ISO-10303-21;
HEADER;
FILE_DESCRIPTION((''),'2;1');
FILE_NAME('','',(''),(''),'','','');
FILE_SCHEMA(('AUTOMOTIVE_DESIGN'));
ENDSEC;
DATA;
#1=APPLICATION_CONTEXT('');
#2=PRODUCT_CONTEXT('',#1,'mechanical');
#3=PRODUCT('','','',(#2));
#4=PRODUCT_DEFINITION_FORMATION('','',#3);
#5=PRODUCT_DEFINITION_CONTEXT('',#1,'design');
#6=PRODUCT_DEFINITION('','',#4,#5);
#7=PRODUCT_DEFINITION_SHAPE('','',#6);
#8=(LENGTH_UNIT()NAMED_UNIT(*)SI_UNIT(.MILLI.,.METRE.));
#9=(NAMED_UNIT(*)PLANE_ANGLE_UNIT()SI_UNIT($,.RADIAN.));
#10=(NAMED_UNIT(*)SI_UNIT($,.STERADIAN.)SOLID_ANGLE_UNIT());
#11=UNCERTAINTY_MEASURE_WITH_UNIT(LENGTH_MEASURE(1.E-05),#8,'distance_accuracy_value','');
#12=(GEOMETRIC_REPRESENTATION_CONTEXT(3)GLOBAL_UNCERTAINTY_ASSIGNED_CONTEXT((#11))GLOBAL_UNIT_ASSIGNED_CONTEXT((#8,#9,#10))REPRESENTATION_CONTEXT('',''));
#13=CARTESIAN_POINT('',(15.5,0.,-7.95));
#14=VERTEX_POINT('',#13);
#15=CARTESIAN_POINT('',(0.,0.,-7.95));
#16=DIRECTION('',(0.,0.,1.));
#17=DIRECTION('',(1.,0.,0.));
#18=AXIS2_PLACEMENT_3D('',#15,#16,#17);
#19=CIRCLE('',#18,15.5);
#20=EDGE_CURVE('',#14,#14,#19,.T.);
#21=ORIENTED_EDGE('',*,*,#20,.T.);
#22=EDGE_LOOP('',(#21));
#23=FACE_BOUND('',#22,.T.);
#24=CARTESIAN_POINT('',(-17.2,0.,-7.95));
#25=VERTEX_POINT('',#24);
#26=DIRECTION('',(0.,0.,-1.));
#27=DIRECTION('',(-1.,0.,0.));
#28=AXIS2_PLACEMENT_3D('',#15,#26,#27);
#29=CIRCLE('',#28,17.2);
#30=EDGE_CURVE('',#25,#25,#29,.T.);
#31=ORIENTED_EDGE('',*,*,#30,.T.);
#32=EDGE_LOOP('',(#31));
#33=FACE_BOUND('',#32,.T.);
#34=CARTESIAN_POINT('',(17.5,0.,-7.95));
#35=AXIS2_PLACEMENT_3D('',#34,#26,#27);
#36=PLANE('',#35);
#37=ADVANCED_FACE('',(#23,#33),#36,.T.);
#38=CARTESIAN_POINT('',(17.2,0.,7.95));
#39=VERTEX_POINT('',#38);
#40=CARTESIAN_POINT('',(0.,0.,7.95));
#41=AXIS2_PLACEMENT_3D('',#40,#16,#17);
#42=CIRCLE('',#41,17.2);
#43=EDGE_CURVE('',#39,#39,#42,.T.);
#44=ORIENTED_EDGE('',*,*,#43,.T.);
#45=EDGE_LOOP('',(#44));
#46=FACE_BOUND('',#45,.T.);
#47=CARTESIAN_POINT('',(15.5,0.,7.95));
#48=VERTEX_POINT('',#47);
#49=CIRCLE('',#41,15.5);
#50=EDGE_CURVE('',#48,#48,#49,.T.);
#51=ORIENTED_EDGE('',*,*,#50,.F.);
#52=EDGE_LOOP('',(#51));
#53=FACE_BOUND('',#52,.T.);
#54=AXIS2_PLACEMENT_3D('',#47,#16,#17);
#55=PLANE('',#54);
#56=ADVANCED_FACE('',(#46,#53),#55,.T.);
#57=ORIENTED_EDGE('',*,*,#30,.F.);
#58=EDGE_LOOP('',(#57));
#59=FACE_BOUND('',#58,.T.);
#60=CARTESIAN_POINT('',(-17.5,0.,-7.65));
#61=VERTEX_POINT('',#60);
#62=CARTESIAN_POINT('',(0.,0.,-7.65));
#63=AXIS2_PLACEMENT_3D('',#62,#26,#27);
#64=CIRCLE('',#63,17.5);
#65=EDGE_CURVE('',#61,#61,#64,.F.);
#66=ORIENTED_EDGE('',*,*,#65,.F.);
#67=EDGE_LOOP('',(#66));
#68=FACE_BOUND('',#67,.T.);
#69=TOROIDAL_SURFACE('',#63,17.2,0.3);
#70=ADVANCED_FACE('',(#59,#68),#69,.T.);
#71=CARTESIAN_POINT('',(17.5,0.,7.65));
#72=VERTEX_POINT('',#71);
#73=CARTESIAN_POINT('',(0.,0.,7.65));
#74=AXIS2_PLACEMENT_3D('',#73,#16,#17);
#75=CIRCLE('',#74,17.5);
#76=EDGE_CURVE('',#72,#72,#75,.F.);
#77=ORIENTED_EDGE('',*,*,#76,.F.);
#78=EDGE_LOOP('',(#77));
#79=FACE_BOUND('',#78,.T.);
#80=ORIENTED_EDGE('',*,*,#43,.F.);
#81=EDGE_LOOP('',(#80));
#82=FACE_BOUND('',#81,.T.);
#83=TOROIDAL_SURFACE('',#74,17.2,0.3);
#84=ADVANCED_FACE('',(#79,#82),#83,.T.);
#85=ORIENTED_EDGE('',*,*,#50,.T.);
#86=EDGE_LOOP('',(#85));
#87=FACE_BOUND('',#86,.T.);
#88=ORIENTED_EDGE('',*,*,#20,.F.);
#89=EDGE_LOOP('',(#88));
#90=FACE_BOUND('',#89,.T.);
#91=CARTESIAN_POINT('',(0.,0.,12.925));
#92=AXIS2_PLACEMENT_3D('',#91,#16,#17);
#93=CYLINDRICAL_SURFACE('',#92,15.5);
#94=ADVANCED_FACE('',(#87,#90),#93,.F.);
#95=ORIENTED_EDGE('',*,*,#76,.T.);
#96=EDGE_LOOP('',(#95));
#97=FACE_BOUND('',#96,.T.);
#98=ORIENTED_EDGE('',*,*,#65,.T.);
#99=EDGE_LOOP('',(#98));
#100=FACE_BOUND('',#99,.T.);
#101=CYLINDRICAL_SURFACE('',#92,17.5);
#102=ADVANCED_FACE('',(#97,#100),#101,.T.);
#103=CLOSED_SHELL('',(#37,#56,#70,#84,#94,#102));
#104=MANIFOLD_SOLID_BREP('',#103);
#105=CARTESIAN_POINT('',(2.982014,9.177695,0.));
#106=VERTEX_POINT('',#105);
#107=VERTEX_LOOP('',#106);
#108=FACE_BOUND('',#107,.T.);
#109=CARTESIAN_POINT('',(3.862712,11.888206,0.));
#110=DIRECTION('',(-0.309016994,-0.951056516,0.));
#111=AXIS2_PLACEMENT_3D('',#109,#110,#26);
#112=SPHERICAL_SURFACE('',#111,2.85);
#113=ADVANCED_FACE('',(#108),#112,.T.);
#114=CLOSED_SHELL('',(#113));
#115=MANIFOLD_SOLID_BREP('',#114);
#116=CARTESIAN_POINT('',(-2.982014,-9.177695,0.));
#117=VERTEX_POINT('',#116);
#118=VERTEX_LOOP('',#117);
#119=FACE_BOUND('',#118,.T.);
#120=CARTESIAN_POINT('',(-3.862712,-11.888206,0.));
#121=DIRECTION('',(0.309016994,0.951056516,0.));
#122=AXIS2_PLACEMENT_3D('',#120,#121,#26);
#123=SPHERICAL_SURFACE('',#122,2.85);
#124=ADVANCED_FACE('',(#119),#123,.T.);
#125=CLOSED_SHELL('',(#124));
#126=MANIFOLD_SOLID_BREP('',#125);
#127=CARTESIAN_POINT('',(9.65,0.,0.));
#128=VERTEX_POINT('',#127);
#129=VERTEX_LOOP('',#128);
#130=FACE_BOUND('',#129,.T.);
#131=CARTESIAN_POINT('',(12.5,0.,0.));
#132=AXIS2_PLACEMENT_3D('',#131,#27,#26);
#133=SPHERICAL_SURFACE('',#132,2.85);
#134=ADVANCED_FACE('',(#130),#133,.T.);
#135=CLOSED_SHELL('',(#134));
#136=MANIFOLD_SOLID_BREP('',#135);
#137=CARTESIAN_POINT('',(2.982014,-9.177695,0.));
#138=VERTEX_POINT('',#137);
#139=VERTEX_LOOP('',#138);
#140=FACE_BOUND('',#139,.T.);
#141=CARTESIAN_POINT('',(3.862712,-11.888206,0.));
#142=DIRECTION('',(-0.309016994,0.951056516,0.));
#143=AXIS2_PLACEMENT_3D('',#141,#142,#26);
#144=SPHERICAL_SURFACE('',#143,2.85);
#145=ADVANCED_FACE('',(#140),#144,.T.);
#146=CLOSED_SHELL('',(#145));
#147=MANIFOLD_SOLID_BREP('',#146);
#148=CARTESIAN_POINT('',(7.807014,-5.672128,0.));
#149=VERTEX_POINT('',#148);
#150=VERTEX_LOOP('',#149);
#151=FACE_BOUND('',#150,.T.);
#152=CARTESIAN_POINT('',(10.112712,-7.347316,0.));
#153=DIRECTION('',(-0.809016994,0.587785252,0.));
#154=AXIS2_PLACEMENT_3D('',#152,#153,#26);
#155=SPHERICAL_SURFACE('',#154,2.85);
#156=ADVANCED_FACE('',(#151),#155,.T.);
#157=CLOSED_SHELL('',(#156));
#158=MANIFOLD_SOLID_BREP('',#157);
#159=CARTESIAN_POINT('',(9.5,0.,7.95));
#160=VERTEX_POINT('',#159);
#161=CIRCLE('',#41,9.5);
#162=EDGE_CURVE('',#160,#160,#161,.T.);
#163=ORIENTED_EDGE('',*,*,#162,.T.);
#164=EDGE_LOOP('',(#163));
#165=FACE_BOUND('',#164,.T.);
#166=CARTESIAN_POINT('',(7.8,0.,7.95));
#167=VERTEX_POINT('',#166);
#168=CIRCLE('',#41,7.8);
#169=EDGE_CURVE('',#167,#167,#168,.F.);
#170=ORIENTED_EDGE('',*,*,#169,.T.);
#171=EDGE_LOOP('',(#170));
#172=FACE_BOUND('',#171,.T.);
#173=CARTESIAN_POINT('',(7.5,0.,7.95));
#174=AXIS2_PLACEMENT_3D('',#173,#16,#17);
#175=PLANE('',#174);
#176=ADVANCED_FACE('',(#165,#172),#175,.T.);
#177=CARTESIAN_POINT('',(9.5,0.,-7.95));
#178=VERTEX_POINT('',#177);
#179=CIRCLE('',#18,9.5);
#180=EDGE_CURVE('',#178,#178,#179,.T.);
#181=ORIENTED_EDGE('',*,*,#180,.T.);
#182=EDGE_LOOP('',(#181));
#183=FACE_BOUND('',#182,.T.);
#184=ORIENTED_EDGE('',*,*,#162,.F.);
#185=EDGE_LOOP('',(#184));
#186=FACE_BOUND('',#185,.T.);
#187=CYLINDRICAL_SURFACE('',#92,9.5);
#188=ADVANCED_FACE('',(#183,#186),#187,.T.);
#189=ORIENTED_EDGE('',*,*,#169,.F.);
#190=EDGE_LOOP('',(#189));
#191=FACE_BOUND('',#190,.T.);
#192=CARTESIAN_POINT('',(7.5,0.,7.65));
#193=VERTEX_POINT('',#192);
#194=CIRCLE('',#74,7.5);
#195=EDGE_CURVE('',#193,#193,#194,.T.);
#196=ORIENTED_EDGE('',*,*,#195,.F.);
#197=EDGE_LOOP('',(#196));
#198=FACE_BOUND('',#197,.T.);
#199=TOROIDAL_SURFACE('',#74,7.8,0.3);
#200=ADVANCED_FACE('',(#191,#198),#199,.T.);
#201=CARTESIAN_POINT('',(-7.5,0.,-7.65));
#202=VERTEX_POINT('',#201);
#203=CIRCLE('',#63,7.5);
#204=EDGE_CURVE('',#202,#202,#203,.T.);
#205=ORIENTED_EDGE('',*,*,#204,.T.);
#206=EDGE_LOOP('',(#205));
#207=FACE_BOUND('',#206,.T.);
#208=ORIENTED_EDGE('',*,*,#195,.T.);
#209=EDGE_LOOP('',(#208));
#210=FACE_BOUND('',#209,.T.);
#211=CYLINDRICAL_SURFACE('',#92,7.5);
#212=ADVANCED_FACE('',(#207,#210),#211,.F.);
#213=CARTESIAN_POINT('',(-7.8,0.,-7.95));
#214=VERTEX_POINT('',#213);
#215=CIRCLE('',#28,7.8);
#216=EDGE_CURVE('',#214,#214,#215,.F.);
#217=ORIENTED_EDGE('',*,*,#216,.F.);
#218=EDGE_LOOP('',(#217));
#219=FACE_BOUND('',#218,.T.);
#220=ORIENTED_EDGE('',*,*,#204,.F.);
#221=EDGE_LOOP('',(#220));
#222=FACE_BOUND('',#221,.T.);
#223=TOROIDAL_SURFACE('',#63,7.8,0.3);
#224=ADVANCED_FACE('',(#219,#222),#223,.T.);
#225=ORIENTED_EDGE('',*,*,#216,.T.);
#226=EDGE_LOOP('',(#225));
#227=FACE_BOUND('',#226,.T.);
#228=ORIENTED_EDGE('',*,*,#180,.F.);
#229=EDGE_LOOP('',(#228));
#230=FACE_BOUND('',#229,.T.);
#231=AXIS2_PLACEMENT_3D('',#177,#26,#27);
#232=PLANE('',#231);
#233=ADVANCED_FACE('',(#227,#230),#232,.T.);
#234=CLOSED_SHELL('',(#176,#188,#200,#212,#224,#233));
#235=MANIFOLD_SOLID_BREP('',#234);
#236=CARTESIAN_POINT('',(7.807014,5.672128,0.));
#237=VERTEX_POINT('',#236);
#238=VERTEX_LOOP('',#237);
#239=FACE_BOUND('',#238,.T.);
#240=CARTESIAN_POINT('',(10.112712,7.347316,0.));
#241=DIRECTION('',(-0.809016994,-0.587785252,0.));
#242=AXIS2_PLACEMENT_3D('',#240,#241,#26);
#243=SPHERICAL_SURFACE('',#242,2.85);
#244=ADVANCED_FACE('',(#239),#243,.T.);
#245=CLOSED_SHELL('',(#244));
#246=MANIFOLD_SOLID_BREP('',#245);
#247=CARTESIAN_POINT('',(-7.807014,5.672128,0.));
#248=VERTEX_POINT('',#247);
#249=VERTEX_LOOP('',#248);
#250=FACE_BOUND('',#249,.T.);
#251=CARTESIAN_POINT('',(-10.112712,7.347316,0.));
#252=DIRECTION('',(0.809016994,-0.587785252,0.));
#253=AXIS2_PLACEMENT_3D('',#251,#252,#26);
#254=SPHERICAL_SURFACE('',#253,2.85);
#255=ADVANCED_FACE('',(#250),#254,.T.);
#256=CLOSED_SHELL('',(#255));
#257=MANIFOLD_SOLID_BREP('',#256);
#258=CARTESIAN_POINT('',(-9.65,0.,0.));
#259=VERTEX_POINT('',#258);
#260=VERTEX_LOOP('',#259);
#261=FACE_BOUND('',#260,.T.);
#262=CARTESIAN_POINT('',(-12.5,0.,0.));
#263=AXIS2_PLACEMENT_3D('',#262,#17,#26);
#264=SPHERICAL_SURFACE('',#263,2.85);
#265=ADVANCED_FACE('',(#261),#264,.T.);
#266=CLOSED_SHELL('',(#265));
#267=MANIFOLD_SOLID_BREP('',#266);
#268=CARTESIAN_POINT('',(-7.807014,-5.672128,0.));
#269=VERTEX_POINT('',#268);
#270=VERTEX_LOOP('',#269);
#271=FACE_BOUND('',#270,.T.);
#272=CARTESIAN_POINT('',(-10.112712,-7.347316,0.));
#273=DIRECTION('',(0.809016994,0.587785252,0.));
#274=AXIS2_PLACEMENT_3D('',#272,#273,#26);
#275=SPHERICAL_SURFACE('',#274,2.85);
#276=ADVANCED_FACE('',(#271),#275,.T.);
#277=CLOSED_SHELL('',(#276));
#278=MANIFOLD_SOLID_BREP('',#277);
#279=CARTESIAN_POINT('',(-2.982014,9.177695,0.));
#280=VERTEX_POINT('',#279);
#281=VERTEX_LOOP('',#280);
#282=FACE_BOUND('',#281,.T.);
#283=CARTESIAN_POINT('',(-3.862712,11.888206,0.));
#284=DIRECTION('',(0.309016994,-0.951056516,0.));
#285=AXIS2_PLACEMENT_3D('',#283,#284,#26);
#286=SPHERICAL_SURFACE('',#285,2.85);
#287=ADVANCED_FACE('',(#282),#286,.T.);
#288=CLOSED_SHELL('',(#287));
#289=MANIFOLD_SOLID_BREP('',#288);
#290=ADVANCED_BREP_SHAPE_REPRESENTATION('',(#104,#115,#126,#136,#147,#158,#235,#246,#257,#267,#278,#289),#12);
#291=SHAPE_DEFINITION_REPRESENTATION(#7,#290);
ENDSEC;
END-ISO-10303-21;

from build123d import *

# Parameters (mm, degrees)
INNERS_W           = 2
INNERS_H           = 15.9
OUTERS_W           = 2
OUTERS_H           = 15.9
BALLSPATTERN_COUNT = 10
FILLET_F1_R        = 0.3
FILLET_F2_R        = 0.3


with BuildPart() as part:
    # InnerS → InnerRing (revolve)
    with BuildSketch(Plane(origin=(0, 0, 0), x_dir=(1, 0, 0), z_dir=(0, 1, 0))):
        with Locations((8.5, 0)):
            Rectangle(INNERS_W, INNERS_H)
    revolve(axis=Axis((0, 0, 12.925), (0, 0, -1)))

    # Fillet F2
    fillet_f2_edges = [part.edges().sort_by_distance(p)[0] for p in [
        (-7.5, 0, -7.95),
        (-7.5, 0, 7.95),
    ]]
    fillet(fillet_f2_edges, radius=FILLET_F2_R)


with BuildPart() as body_2:
    # OuterS → OuterRing (revolve)
    with BuildSketch(Plane(origin=(0, 0, 0), x_dir=(1, 0, 0), z_dir=(0, 1, 0))):
        with Locations((16.5, 0)):
            Rectangle(OUTERS_W, OUTERS_H)
    revolve(axis=Axis((0, 0, 12.925), (0, 0, -1)))

    # Fillet F1
    fillet_f1_edges = [body_2.edges().sort_by_distance(p)[0] for p in [
        (-17.5, 0, -7.95),
        (-17.5, 0, 7.95),
    ]]
    fillet(fillet_f1_edges, radius=FILLET_F1_R)


with BuildPart() as body_3:
    # BallS → Ball (revolve)
    with BuildSketch(Plane(origin=(0, 0, 0), x_dir=(1, 0, 0), z_dir=(0, 1, 0))):
        with BuildLine():
            Line((9.65, 0), (15.35, 0))
            ThreePointArc((15.35, 0), (12.5, -2.85), (9.65, 0))
        make_face()
    revolve(axis=Axis((9.65, 0, 0), (1, 0, 0)))


with BuildPart() as ballspattern_1:
    # BallsPattern: pattern copy
    add(body_3.part.rotate(Axis((0, 0, -8.745), (0, 0, 1)), 1 * 360 / BALLSPATTERN_COUNT))


with BuildPart() as ballspattern_2:
    # BallsPattern: pattern copy
    add(body_3.part.rotate(Axis((0, 0, -8.745), (0, 0, 1)), 2 * 360 / BALLSPATTERN_COUNT))


with BuildPart() as ballspattern_3:
    # BallsPattern: pattern copy
    add(body_3.part.rotate(Axis((0, 0, -8.745), (0, 0, 1)), 3 * 360 / BALLSPATTERN_COUNT))


with BuildPart() as ballspattern_4:
    # BallsPattern: pattern copy
    add(body_3.part.rotate(Axis((0, 0, -8.745), (0, 0, 1)), 4 * 360 / BALLSPATTERN_COUNT))


with BuildPart() as ballspattern_5:
    # BallsPattern: pattern copy
    add(body_3.part.rotate(Axis((0, 0, -8.745), (0, 0, 1)), 5 * 360 / BALLSPATTERN_COUNT))


with BuildPart() as ballspattern_6:
    # BallsPattern: pattern copy
    add(body_3.part.rotate(Axis((0, 0, -8.745), (0, 0, 1)), 6 * 360 / BALLSPATTERN_COUNT))


with BuildPart() as ballspattern_7:
    # BallsPattern: pattern copy
    add(body_3.part.rotate(Axis((0, 0, -8.745), (0, 0, 1)), 7 * 360 / BALLSPATTERN_COUNT))


with BuildPart() as ballspattern_8:
    # BallsPattern: pattern copy
    add(body_3.part.rotate(Axis((0, 0, -8.745), (0, 0, 1)), 8 * 360 / BALLSPATTERN_COUNT))


with BuildPart() as ballspattern_9:
    # BallsPattern: pattern copy
    add(body_3.part.rotate(Axis((0, 0, -8.745), (0, 0, 1)), 9 * 360 / BALLSPATTERN_COUNT))


solid = Compound([part.part, body_2.part, body_3.part, ballspattern_1.part, ballspattern_2.part, ballspattern_3.part, ballspattern_4.part, ballspattern_5.part, ballspattern_6.part, ballspattern_7.part, ballspattern_8.part, ballspattern_9.part])
